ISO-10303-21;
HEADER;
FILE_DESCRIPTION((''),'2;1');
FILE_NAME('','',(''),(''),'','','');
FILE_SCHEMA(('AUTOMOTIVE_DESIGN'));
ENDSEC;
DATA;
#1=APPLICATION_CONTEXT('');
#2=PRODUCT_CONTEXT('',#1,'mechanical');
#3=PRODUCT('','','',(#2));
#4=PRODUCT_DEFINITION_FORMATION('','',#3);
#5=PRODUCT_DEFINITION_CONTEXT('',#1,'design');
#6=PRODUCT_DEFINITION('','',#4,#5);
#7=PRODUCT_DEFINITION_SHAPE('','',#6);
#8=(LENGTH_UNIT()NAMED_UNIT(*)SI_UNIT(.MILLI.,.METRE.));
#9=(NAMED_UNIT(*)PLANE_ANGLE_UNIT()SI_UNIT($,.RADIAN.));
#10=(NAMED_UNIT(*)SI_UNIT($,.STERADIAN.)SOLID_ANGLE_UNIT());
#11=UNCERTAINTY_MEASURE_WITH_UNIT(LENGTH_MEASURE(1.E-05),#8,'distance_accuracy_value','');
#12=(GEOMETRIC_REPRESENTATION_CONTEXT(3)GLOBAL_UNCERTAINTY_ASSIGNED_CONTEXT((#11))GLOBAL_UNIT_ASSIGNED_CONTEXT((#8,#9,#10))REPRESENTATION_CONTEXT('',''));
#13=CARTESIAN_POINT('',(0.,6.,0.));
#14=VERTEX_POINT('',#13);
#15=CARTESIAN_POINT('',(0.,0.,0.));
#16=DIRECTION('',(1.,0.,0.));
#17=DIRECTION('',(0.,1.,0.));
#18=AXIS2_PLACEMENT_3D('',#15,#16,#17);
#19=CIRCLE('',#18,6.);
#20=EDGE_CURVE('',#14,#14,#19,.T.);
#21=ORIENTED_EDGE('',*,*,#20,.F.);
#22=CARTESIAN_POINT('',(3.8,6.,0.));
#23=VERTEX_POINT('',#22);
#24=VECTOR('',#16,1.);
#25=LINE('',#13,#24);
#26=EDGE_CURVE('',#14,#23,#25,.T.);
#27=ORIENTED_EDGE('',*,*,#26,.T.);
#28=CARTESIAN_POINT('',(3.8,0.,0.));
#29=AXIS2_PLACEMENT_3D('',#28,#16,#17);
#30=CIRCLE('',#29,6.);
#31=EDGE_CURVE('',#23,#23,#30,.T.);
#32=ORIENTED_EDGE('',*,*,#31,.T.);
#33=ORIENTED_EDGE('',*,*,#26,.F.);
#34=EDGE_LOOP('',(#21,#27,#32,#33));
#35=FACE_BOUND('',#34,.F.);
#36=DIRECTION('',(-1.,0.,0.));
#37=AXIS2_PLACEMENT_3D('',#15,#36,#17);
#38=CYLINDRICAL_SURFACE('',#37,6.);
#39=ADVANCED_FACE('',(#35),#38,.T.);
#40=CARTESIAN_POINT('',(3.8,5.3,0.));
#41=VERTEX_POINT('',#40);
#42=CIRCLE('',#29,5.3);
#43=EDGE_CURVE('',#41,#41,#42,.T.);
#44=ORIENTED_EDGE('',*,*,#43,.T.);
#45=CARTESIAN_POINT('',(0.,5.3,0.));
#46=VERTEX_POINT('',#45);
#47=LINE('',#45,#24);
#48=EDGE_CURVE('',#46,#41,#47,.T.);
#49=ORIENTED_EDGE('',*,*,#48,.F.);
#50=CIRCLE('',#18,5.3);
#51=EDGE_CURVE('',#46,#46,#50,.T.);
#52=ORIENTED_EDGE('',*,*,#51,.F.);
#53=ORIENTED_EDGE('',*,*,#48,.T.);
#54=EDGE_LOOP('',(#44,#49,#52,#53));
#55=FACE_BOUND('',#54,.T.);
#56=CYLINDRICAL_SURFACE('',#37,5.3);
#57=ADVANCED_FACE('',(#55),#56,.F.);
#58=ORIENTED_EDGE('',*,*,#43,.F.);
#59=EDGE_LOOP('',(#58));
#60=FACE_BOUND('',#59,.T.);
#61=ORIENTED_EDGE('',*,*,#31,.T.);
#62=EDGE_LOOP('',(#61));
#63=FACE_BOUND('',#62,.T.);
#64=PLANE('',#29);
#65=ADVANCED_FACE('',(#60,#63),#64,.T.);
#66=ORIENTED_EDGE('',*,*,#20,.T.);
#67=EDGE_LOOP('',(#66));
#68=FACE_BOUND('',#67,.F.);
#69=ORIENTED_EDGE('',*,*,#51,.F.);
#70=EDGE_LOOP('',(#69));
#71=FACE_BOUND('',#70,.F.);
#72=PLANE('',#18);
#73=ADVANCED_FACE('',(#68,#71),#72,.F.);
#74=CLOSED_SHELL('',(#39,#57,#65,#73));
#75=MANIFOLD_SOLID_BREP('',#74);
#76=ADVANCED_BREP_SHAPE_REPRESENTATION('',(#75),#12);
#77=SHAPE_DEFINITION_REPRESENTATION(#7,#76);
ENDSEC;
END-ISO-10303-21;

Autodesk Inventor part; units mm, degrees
ref_plane "YZ Plane" through (0, 0, 0) normal (1, 0, 0) x (0, 1, 0)
ref_plane "XZ Plane" through (0, 0, 0) normal (0, 1, 0) x (-1, 0, 0)
ref_plane "XY Plane" through (0, 0, 0) normal (0, 0, 1) x (1, 0, 0)
sketch "スケッチ1" plane through (0, 0, 0) normal (1, 0, 0) x (0, 1, 0)
  circle A0 centre (0, 0) radius 5.3
  circle A1 centre (0, 0) radius 6
  dimension "d0" = 10.6
  dimension "d1" = 12
extrude "押し出し1" add sketch "スケッチ1" along normal blind 3.8
properties part number "belt_liner_v1_3DP_spesa-2" material "ABS プラスチック"
